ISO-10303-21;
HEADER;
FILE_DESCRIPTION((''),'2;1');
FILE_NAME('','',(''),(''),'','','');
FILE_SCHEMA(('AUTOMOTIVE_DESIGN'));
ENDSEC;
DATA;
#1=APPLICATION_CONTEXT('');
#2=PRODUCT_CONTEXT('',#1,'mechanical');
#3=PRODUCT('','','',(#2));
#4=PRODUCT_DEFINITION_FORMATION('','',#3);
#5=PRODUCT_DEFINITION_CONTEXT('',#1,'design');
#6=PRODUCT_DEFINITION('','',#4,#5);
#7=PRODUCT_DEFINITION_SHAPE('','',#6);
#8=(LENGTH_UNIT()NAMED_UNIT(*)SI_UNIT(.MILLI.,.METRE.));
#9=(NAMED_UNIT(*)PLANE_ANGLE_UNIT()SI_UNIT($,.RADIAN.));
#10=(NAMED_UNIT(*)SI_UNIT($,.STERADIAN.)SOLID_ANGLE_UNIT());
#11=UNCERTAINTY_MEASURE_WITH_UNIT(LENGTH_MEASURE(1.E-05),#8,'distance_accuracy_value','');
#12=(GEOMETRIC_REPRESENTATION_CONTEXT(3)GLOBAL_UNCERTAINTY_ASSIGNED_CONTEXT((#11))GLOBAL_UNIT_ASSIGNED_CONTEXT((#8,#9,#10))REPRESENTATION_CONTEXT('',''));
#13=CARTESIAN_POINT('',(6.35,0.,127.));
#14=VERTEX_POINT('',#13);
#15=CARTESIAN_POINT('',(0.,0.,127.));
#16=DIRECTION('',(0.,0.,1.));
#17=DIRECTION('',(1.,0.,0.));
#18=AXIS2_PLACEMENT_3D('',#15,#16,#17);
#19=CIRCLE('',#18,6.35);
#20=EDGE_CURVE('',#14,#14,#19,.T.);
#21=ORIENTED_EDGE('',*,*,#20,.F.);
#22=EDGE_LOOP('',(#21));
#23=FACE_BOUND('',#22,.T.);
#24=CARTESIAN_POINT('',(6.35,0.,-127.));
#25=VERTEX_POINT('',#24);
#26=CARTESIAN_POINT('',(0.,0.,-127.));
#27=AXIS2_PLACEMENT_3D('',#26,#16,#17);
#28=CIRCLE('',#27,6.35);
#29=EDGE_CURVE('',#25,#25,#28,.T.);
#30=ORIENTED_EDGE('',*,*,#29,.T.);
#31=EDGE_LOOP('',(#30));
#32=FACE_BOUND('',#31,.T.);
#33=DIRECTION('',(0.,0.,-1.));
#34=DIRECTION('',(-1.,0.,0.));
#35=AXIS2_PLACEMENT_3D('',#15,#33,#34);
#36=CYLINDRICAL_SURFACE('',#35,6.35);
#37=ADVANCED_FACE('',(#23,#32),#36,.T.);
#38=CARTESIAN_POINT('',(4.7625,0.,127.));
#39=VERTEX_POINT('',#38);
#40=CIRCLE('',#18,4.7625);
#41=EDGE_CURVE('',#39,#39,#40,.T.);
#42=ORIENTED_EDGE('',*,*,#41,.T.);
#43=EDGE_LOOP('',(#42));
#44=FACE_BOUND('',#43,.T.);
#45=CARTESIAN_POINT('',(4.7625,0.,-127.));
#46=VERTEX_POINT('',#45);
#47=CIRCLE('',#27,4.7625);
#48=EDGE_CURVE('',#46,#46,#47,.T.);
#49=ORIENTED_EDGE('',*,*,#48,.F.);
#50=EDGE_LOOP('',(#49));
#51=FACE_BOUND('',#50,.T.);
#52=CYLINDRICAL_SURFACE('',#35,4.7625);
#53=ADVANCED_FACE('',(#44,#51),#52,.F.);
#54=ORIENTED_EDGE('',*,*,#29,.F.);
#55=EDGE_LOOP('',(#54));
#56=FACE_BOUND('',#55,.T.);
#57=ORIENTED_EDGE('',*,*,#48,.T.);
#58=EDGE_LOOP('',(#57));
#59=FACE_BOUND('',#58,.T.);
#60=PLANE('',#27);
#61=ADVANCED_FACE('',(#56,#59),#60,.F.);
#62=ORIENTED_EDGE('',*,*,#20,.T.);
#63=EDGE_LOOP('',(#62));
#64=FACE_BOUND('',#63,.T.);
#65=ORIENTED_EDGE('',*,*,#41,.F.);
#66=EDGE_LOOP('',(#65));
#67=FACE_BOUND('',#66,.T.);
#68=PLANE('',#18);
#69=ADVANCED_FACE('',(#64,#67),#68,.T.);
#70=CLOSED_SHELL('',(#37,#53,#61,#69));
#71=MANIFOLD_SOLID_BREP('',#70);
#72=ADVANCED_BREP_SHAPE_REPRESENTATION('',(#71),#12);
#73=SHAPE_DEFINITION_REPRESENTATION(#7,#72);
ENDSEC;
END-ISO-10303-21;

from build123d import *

# Parameters (mm, degrees)
SKETCH1_R           = 6.35
SKETCH1_R_2         = 4.7625
BOSS_EXTRUDE1_DEPTH = 127


with BuildPart() as part:
    # Sketch1 → Boss-Extrude1 (new, symmetric)
    with BuildSketch(Plane.XY):
        Circle(SKETCH1_R)
        Circle(SKETCH1_R_2, mode=Mode.SUBTRACT)
    extrude(amount=BOSS_EXTRUDE1_DEPTH, both=True)


solid = part.part
